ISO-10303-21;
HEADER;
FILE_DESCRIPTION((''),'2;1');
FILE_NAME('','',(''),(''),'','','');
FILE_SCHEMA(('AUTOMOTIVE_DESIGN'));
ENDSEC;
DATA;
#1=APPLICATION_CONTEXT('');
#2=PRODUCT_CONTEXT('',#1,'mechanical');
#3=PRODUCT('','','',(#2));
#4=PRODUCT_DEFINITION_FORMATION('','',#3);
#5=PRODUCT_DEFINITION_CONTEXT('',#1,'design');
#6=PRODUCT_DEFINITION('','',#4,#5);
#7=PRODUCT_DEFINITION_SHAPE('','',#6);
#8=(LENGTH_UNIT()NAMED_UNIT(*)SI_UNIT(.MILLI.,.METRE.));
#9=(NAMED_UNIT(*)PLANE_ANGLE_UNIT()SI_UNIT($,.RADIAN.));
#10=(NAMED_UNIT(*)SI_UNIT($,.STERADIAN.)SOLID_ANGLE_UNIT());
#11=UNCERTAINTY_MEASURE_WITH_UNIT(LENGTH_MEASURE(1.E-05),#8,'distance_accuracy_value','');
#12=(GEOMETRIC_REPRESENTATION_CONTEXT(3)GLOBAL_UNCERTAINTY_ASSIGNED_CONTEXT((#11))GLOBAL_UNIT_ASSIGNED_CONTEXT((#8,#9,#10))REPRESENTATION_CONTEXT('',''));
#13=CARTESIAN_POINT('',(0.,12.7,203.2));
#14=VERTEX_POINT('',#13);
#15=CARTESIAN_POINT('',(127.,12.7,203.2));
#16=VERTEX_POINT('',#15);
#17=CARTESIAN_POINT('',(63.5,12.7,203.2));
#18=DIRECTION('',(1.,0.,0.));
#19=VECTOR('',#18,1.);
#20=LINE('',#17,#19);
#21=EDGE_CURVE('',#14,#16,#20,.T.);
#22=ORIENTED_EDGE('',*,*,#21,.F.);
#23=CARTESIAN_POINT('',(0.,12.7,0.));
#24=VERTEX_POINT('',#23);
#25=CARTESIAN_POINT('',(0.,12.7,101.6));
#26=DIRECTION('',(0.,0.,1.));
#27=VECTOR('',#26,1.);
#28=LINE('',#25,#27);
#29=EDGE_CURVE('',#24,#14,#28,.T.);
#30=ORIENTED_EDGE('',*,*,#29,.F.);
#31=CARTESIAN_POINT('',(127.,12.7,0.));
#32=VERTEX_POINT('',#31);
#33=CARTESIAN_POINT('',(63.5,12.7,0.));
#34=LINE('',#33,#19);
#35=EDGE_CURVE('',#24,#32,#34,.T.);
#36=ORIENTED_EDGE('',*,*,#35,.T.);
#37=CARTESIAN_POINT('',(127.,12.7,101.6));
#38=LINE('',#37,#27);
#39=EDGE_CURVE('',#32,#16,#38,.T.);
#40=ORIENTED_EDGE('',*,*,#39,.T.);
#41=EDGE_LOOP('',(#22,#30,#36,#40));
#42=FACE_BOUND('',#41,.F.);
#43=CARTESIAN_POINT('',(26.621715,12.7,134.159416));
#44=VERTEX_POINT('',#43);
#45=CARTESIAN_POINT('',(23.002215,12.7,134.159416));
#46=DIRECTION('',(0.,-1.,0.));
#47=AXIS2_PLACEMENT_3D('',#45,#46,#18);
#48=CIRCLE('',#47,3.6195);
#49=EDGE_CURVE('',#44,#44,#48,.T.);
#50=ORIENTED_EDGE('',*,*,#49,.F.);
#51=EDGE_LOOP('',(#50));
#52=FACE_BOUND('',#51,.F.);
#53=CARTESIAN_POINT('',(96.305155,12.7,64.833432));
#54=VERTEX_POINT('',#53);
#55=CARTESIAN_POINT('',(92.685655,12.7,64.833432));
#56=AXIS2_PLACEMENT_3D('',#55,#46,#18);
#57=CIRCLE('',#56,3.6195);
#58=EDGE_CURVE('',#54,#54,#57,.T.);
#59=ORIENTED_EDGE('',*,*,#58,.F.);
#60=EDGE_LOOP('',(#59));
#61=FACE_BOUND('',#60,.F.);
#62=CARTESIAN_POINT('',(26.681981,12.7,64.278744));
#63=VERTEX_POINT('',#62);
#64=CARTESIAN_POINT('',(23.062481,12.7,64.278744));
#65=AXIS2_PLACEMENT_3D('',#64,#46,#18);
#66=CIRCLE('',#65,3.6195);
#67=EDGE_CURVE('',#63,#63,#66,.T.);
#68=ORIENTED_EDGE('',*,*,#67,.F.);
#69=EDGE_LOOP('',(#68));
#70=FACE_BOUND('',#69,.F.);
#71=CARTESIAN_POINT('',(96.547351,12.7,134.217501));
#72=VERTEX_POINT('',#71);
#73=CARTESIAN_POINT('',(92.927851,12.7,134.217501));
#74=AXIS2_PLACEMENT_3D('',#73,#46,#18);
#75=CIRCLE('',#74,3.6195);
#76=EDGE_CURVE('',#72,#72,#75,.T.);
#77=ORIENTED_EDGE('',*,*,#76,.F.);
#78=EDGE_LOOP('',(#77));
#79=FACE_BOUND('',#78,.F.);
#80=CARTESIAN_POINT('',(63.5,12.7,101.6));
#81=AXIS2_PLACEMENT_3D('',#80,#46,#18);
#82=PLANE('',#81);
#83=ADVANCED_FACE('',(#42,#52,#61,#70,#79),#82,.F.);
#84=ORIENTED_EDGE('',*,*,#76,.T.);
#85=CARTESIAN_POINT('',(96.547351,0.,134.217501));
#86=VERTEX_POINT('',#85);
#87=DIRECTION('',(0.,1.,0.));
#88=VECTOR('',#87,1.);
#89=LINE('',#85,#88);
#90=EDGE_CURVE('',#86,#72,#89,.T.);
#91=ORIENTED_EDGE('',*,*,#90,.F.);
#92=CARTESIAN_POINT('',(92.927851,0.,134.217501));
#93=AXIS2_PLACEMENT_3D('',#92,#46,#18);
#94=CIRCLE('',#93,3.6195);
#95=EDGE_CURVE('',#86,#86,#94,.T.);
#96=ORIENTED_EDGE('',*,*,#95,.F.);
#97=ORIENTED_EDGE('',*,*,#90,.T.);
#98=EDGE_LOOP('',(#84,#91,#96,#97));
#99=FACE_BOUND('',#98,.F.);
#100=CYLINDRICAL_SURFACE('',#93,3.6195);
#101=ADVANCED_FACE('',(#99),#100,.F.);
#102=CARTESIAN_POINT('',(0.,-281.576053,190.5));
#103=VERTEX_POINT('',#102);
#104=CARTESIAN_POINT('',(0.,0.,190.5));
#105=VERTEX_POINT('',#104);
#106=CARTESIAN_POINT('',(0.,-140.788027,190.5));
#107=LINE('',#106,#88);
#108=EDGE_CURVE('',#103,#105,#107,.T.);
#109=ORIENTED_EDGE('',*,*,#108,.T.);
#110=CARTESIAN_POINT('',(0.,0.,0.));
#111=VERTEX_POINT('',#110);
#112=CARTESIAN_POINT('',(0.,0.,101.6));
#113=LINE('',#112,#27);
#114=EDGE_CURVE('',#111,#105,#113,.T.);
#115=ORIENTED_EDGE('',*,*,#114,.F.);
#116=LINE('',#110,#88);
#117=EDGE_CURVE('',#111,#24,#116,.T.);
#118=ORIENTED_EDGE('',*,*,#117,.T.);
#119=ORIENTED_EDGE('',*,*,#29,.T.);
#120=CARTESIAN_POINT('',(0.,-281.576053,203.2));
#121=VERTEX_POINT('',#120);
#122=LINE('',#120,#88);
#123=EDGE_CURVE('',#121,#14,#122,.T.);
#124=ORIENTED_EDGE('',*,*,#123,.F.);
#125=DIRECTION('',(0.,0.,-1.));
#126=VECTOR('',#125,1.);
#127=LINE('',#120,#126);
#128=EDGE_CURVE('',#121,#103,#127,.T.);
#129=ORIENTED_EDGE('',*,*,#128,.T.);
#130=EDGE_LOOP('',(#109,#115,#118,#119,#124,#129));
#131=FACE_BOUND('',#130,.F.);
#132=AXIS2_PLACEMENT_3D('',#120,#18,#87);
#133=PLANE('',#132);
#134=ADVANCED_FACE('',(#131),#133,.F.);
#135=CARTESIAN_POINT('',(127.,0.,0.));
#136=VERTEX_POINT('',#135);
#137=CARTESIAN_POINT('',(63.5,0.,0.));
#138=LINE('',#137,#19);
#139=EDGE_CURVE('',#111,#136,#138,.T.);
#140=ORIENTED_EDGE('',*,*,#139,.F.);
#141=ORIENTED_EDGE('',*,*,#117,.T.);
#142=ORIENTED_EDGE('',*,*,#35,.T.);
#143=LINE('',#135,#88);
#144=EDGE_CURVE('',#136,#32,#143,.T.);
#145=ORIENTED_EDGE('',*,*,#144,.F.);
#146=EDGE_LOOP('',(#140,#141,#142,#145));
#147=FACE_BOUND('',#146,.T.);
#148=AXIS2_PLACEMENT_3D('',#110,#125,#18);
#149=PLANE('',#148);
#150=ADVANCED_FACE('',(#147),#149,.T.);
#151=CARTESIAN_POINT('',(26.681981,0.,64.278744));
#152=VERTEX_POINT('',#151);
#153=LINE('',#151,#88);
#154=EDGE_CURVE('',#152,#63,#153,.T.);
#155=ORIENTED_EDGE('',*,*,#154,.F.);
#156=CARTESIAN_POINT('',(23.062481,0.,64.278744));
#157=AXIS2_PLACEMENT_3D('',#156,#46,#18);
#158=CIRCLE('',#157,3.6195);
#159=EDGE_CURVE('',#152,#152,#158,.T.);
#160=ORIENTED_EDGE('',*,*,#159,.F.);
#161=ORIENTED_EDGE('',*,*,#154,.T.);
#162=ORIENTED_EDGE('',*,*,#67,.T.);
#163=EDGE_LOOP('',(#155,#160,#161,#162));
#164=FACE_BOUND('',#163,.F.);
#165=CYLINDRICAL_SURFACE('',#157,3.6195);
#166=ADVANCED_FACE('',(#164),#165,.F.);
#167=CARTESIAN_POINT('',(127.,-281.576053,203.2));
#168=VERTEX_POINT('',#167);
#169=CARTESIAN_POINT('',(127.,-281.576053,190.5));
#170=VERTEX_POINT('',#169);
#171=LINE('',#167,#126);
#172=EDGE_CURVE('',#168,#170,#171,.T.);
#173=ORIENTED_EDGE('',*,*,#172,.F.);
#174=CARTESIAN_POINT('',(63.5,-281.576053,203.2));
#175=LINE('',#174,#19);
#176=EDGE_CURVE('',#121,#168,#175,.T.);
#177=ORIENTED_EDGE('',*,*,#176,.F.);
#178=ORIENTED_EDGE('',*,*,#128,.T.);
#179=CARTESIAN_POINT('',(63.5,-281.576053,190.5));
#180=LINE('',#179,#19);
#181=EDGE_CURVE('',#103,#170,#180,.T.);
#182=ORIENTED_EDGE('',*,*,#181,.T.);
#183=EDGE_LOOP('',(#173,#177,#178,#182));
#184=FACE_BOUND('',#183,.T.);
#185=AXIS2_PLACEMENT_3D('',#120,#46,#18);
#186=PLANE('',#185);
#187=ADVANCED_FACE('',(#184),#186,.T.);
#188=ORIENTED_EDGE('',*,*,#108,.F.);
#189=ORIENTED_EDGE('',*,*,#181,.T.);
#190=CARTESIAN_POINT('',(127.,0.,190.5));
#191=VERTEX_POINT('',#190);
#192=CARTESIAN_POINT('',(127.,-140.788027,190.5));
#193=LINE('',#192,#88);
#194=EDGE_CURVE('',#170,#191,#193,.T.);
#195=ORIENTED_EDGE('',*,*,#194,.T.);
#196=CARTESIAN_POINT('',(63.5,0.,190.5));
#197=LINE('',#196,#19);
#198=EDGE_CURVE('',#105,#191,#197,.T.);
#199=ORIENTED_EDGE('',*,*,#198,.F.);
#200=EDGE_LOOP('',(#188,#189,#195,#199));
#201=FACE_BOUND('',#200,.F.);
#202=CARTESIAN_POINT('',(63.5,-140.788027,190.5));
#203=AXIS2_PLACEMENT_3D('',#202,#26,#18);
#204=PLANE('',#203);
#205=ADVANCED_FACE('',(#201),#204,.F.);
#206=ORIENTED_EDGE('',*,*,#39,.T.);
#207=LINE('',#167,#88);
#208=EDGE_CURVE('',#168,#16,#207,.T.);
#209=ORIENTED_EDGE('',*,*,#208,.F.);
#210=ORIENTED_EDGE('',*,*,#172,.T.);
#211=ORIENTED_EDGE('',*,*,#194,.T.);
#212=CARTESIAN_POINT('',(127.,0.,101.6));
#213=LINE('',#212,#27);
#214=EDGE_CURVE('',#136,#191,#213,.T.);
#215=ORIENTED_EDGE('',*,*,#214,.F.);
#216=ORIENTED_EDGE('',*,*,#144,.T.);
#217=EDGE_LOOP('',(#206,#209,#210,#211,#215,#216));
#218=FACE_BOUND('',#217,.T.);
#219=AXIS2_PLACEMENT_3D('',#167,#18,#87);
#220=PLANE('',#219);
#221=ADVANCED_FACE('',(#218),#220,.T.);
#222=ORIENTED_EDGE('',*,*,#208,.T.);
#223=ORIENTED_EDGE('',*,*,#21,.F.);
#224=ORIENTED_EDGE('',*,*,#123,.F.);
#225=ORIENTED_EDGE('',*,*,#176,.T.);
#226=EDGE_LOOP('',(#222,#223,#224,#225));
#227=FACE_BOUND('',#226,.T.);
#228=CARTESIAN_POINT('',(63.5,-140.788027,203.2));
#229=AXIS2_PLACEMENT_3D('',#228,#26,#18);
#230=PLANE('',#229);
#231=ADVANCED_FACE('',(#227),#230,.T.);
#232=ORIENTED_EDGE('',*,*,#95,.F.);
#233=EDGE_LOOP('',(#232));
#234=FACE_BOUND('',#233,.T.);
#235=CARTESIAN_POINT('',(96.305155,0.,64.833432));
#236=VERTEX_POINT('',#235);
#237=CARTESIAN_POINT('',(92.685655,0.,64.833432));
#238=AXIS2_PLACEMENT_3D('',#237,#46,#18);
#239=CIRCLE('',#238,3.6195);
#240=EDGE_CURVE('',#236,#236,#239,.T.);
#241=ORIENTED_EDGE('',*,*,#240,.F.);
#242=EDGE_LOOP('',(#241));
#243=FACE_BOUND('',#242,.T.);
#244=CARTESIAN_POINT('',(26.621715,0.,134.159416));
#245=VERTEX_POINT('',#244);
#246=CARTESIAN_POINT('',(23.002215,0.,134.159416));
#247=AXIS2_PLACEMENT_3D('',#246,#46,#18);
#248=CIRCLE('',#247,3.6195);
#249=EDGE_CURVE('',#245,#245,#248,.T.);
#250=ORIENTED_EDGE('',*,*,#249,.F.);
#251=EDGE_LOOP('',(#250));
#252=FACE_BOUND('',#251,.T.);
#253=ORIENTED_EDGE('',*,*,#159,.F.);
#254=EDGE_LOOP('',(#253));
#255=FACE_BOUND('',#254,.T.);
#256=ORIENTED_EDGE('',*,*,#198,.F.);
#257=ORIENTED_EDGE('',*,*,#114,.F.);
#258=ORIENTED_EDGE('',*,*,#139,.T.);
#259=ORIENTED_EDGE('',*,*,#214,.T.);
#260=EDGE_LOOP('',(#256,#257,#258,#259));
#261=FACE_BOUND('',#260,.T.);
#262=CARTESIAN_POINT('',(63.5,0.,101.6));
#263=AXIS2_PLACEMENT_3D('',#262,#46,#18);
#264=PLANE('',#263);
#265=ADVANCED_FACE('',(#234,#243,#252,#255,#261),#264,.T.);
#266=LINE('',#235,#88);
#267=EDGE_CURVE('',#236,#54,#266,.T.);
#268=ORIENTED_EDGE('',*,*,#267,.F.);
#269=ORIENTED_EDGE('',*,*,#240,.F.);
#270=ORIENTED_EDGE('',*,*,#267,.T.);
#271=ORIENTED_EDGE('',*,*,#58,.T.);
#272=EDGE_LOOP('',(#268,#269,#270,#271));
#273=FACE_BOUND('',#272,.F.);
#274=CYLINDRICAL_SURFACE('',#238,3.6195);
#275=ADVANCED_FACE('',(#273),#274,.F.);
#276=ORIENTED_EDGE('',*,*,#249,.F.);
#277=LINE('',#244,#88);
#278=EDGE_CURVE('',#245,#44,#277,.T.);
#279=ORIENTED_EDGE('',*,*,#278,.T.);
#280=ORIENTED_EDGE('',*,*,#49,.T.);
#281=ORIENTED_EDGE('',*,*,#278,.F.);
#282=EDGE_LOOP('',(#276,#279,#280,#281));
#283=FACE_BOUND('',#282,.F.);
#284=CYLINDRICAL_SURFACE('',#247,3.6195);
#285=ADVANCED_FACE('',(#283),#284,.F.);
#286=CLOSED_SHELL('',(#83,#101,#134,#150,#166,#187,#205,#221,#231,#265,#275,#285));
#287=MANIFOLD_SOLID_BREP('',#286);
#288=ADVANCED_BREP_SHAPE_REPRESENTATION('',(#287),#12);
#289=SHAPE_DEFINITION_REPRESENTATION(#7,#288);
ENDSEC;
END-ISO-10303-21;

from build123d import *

# Parameters (mm, degrees)
F0_W      = 127
F0_H      = 203.2
F1_DEPTH  = 12.7
F2_W      = 127
F2_H      = 281.5760534146
F3_DEPTH  = 12.7
F4_R      = 3.6195
F5_DEPTH  = 12.7
F6_R      = 3.6195
F7_DEPTH  = 12.7
F8_R      = 3.6195
F9_DEPTH  = 12.7
F10_R     = 3.6195
F11_DEPTH = 12.7


with BuildPart() as f1:
    # F0 (on Front) → F1 (new body)
    with BuildSketch(Plane.XZ):
        with Locations((63.5, 101.6)):
            Rectangle(F0_W, F0_H)
    extrude(amount=-F1_DEPTH)

    # F2 (on face) → F3 (join)
    with BuildSketch(Plane.XY.offset(203.2)):
        with Locations((63.5, -140.7880267073)):
            Rectangle(F2_W, F2_H)
    extrude(amount=-F3_DEPTH)

    # F4 (on face) → F5 (cut)
    with BuildSketch(Plane.XZ):
        with Locations((92.6856547594, 64.833432436)):
            Circle(F4_R)
    extrude(amount=-F5_DEPTH, mode=Mode.SUBTRACT)

    # F6 (on face) → F7 (cut)
    with BuildSketch(Plane.XZ):
        with Locations((92.9278507829, 134.2175006866)):
            Circle(F6_R)
    extrude(amount=-F7_DEPTH, mode=Mode.SUBTRACT)

    # F8 (on face) → F9 (cut)
    with BuildSketch(Plane.XZ):
        with Locations((23.0624806136, 64.2787441611)):
            Circle(F8_R)
    extrude(amount=-F9_DEPTH, mode=Mode.SUBTRACT)

    # F10 (on face) → F11 (cut)
    with BuildSketch(Plane.XZ):
        with Locations((23.0022147298, 134.1594159603)):
            Circle(F10_R)
    extrude(amount=-F11_DEPTH, mode=Mode.SUBTRACT)


solid = f1.part
